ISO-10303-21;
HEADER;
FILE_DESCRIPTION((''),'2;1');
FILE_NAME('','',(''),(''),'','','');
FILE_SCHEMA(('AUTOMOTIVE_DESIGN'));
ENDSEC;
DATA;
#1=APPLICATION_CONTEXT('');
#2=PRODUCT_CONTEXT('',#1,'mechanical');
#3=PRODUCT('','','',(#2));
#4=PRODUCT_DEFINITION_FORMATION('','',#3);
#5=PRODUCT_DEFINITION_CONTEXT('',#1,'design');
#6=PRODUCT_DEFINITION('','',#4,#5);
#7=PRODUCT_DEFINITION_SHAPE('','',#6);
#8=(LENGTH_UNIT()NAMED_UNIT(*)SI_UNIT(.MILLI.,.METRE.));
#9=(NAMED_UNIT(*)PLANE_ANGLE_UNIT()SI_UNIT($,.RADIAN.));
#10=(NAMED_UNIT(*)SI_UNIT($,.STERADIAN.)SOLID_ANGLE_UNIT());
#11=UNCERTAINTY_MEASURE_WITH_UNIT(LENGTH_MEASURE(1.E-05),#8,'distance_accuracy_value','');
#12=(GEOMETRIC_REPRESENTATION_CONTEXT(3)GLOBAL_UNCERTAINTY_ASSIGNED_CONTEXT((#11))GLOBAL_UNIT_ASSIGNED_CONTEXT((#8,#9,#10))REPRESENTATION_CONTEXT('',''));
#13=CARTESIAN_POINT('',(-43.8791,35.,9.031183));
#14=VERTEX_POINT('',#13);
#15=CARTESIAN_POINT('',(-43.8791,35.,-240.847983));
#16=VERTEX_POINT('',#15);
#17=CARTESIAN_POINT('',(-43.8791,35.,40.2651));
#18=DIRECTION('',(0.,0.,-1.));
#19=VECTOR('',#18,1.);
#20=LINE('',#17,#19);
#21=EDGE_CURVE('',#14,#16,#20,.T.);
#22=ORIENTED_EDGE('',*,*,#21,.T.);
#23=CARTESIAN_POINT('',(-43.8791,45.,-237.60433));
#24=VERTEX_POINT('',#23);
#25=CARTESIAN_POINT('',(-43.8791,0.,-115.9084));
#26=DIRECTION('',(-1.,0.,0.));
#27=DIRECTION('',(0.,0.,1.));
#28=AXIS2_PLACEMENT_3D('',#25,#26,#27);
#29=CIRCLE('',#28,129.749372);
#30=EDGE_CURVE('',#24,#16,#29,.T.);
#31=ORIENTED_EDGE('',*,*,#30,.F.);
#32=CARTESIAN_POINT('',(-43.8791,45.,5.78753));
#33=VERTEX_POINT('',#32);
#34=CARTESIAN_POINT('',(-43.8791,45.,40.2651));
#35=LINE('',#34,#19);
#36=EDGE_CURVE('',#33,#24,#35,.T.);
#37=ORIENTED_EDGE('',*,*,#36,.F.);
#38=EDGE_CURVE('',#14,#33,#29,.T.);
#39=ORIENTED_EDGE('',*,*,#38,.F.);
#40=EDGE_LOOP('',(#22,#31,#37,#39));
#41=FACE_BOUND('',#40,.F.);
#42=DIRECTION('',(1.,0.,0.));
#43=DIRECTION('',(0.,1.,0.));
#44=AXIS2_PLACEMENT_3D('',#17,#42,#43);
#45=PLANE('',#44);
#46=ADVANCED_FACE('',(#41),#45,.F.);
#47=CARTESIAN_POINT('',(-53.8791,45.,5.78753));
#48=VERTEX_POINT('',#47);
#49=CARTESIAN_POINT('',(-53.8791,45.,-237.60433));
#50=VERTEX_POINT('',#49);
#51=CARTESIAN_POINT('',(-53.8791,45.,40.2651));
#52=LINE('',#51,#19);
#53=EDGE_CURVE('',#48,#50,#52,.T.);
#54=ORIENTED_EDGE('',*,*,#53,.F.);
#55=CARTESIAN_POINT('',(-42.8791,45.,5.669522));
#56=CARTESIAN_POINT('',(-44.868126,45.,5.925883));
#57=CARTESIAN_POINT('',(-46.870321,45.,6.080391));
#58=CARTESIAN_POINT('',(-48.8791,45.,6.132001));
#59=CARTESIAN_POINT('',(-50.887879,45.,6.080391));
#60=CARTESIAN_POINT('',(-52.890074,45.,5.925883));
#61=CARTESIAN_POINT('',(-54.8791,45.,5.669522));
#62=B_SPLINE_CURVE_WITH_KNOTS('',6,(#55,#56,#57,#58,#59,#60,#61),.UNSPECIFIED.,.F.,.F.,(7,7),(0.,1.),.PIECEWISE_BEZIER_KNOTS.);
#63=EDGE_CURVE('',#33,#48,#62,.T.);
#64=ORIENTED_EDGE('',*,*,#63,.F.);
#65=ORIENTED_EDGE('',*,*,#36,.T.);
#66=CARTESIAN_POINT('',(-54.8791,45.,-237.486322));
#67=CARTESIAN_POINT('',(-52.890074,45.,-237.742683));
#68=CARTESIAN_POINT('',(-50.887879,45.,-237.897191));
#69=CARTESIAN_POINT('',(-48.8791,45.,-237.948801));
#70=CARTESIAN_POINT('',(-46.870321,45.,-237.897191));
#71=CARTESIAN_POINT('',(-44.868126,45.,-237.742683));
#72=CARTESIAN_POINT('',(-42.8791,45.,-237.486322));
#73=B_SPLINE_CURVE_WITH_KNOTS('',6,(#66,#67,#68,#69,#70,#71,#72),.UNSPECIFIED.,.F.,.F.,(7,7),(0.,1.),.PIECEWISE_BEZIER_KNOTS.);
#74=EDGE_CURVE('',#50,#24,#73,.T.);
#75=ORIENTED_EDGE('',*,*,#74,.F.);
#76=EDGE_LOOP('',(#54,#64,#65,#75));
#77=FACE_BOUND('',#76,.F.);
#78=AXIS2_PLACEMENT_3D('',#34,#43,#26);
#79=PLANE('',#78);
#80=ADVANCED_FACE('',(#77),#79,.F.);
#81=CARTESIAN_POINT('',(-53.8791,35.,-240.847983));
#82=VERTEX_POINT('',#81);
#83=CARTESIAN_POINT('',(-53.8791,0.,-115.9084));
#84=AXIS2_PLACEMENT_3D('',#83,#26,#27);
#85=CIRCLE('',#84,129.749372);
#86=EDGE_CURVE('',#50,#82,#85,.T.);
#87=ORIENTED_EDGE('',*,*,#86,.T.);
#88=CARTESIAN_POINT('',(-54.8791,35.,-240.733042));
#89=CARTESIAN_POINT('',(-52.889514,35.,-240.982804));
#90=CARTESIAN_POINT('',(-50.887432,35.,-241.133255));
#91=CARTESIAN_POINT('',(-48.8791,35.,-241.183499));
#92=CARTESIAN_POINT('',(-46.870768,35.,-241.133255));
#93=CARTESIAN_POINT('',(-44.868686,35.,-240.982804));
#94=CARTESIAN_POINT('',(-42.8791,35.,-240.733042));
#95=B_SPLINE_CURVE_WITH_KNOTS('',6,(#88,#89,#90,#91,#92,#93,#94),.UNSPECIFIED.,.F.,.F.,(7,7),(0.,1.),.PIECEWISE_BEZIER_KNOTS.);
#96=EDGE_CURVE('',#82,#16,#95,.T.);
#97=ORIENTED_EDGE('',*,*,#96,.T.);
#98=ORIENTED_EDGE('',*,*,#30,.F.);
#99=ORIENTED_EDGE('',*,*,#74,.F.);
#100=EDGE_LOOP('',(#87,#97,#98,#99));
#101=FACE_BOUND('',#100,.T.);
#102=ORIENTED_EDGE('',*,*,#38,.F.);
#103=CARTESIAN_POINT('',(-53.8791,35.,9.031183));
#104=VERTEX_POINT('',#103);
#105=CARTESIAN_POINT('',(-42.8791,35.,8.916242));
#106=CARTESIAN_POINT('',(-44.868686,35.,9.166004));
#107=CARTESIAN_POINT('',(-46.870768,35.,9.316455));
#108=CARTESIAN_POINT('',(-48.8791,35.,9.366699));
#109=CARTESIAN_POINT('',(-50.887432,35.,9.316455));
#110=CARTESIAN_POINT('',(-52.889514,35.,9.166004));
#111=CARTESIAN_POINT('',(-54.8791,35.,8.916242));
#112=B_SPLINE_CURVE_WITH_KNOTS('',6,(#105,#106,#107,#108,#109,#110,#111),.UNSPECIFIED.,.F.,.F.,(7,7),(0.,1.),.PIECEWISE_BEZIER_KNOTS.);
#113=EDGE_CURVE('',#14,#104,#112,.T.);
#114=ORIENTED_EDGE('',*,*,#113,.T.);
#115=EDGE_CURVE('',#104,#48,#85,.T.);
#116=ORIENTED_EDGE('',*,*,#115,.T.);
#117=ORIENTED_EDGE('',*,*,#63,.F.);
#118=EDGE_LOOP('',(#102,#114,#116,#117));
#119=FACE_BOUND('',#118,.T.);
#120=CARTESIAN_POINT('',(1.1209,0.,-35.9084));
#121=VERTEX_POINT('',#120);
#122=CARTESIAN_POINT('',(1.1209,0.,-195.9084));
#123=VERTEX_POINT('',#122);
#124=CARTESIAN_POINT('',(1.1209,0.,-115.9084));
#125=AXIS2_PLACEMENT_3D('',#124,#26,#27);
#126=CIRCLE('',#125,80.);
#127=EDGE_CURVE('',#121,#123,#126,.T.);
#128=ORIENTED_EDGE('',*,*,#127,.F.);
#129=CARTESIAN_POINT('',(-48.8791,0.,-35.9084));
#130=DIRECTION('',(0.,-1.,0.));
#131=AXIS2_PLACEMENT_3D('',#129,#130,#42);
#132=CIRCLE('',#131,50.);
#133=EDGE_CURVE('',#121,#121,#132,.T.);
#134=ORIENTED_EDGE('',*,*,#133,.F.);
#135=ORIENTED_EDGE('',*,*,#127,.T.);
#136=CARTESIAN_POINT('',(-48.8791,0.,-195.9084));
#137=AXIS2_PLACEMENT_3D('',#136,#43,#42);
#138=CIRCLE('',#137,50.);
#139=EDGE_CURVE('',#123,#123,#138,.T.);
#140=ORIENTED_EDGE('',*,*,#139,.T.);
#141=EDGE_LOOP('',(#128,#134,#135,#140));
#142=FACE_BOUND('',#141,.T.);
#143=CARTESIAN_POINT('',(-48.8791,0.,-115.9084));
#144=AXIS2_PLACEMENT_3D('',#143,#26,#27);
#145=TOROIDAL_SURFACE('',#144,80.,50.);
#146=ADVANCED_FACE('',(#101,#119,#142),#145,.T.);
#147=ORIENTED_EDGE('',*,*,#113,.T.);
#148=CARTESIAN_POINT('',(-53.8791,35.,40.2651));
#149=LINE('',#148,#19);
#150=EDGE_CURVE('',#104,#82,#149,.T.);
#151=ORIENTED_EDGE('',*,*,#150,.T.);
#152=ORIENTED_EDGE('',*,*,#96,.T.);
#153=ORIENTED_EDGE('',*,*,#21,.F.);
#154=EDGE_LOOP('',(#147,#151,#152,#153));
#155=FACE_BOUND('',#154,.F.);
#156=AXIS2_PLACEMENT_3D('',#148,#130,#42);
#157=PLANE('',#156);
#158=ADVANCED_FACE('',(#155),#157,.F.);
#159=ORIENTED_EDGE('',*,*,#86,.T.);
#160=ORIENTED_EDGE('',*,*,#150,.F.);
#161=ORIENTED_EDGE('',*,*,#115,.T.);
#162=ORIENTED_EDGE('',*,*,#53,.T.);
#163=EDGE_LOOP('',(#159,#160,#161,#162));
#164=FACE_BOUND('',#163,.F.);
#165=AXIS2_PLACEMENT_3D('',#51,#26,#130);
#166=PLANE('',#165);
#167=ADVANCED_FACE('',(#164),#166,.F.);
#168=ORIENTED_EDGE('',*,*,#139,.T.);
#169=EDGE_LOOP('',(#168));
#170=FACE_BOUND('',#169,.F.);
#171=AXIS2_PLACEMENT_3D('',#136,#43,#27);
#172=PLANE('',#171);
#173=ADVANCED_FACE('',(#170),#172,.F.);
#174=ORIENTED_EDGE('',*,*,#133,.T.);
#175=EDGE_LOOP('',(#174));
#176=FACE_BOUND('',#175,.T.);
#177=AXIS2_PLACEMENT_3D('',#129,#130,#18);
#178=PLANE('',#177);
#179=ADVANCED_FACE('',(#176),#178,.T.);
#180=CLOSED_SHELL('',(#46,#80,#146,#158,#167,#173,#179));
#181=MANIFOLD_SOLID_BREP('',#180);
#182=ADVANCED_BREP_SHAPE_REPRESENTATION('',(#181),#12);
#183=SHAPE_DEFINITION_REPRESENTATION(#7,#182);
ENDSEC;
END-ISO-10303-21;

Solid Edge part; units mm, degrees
sketch "Sketch1" plane through (0, 0, 0) normal (0, -1, 0) x (1, 0, 0)
  circle A0 centre (-48.8791, -35.9084) radius 50
  dimension "D1" = 80
revolve "RevolvedProtrusion1" add sketch "Sketch1" angle 180 about axis through (-94.1615, 0, -115.9084) along (-1, 0, 0)
revolve "RevolvedProtrusion2" [suppressed]
revolve "RevolvedCutout1" [suppressed]
sketch "Sketch2" plane through (0, 0, 40.2651) normal (0, 0, 1) x (1, 0, 0)
  line L0 (-53.8791, 35) -> (-43.8791, 35)
  line L1 (-43.8791, 35) -> (-43.8791, 45)
  line L2 (-43.8791, 45) -> (-53.8791, 45)
  line L3 (-53.8791, 45) -> (-53.8791, 35)
  dimension "D1" = 10
  dimension "D2" = 10
  dimension "D3" = 40
extrude "ExtrudedCutout_1" cut sketch "Sketch2" against normal through all
